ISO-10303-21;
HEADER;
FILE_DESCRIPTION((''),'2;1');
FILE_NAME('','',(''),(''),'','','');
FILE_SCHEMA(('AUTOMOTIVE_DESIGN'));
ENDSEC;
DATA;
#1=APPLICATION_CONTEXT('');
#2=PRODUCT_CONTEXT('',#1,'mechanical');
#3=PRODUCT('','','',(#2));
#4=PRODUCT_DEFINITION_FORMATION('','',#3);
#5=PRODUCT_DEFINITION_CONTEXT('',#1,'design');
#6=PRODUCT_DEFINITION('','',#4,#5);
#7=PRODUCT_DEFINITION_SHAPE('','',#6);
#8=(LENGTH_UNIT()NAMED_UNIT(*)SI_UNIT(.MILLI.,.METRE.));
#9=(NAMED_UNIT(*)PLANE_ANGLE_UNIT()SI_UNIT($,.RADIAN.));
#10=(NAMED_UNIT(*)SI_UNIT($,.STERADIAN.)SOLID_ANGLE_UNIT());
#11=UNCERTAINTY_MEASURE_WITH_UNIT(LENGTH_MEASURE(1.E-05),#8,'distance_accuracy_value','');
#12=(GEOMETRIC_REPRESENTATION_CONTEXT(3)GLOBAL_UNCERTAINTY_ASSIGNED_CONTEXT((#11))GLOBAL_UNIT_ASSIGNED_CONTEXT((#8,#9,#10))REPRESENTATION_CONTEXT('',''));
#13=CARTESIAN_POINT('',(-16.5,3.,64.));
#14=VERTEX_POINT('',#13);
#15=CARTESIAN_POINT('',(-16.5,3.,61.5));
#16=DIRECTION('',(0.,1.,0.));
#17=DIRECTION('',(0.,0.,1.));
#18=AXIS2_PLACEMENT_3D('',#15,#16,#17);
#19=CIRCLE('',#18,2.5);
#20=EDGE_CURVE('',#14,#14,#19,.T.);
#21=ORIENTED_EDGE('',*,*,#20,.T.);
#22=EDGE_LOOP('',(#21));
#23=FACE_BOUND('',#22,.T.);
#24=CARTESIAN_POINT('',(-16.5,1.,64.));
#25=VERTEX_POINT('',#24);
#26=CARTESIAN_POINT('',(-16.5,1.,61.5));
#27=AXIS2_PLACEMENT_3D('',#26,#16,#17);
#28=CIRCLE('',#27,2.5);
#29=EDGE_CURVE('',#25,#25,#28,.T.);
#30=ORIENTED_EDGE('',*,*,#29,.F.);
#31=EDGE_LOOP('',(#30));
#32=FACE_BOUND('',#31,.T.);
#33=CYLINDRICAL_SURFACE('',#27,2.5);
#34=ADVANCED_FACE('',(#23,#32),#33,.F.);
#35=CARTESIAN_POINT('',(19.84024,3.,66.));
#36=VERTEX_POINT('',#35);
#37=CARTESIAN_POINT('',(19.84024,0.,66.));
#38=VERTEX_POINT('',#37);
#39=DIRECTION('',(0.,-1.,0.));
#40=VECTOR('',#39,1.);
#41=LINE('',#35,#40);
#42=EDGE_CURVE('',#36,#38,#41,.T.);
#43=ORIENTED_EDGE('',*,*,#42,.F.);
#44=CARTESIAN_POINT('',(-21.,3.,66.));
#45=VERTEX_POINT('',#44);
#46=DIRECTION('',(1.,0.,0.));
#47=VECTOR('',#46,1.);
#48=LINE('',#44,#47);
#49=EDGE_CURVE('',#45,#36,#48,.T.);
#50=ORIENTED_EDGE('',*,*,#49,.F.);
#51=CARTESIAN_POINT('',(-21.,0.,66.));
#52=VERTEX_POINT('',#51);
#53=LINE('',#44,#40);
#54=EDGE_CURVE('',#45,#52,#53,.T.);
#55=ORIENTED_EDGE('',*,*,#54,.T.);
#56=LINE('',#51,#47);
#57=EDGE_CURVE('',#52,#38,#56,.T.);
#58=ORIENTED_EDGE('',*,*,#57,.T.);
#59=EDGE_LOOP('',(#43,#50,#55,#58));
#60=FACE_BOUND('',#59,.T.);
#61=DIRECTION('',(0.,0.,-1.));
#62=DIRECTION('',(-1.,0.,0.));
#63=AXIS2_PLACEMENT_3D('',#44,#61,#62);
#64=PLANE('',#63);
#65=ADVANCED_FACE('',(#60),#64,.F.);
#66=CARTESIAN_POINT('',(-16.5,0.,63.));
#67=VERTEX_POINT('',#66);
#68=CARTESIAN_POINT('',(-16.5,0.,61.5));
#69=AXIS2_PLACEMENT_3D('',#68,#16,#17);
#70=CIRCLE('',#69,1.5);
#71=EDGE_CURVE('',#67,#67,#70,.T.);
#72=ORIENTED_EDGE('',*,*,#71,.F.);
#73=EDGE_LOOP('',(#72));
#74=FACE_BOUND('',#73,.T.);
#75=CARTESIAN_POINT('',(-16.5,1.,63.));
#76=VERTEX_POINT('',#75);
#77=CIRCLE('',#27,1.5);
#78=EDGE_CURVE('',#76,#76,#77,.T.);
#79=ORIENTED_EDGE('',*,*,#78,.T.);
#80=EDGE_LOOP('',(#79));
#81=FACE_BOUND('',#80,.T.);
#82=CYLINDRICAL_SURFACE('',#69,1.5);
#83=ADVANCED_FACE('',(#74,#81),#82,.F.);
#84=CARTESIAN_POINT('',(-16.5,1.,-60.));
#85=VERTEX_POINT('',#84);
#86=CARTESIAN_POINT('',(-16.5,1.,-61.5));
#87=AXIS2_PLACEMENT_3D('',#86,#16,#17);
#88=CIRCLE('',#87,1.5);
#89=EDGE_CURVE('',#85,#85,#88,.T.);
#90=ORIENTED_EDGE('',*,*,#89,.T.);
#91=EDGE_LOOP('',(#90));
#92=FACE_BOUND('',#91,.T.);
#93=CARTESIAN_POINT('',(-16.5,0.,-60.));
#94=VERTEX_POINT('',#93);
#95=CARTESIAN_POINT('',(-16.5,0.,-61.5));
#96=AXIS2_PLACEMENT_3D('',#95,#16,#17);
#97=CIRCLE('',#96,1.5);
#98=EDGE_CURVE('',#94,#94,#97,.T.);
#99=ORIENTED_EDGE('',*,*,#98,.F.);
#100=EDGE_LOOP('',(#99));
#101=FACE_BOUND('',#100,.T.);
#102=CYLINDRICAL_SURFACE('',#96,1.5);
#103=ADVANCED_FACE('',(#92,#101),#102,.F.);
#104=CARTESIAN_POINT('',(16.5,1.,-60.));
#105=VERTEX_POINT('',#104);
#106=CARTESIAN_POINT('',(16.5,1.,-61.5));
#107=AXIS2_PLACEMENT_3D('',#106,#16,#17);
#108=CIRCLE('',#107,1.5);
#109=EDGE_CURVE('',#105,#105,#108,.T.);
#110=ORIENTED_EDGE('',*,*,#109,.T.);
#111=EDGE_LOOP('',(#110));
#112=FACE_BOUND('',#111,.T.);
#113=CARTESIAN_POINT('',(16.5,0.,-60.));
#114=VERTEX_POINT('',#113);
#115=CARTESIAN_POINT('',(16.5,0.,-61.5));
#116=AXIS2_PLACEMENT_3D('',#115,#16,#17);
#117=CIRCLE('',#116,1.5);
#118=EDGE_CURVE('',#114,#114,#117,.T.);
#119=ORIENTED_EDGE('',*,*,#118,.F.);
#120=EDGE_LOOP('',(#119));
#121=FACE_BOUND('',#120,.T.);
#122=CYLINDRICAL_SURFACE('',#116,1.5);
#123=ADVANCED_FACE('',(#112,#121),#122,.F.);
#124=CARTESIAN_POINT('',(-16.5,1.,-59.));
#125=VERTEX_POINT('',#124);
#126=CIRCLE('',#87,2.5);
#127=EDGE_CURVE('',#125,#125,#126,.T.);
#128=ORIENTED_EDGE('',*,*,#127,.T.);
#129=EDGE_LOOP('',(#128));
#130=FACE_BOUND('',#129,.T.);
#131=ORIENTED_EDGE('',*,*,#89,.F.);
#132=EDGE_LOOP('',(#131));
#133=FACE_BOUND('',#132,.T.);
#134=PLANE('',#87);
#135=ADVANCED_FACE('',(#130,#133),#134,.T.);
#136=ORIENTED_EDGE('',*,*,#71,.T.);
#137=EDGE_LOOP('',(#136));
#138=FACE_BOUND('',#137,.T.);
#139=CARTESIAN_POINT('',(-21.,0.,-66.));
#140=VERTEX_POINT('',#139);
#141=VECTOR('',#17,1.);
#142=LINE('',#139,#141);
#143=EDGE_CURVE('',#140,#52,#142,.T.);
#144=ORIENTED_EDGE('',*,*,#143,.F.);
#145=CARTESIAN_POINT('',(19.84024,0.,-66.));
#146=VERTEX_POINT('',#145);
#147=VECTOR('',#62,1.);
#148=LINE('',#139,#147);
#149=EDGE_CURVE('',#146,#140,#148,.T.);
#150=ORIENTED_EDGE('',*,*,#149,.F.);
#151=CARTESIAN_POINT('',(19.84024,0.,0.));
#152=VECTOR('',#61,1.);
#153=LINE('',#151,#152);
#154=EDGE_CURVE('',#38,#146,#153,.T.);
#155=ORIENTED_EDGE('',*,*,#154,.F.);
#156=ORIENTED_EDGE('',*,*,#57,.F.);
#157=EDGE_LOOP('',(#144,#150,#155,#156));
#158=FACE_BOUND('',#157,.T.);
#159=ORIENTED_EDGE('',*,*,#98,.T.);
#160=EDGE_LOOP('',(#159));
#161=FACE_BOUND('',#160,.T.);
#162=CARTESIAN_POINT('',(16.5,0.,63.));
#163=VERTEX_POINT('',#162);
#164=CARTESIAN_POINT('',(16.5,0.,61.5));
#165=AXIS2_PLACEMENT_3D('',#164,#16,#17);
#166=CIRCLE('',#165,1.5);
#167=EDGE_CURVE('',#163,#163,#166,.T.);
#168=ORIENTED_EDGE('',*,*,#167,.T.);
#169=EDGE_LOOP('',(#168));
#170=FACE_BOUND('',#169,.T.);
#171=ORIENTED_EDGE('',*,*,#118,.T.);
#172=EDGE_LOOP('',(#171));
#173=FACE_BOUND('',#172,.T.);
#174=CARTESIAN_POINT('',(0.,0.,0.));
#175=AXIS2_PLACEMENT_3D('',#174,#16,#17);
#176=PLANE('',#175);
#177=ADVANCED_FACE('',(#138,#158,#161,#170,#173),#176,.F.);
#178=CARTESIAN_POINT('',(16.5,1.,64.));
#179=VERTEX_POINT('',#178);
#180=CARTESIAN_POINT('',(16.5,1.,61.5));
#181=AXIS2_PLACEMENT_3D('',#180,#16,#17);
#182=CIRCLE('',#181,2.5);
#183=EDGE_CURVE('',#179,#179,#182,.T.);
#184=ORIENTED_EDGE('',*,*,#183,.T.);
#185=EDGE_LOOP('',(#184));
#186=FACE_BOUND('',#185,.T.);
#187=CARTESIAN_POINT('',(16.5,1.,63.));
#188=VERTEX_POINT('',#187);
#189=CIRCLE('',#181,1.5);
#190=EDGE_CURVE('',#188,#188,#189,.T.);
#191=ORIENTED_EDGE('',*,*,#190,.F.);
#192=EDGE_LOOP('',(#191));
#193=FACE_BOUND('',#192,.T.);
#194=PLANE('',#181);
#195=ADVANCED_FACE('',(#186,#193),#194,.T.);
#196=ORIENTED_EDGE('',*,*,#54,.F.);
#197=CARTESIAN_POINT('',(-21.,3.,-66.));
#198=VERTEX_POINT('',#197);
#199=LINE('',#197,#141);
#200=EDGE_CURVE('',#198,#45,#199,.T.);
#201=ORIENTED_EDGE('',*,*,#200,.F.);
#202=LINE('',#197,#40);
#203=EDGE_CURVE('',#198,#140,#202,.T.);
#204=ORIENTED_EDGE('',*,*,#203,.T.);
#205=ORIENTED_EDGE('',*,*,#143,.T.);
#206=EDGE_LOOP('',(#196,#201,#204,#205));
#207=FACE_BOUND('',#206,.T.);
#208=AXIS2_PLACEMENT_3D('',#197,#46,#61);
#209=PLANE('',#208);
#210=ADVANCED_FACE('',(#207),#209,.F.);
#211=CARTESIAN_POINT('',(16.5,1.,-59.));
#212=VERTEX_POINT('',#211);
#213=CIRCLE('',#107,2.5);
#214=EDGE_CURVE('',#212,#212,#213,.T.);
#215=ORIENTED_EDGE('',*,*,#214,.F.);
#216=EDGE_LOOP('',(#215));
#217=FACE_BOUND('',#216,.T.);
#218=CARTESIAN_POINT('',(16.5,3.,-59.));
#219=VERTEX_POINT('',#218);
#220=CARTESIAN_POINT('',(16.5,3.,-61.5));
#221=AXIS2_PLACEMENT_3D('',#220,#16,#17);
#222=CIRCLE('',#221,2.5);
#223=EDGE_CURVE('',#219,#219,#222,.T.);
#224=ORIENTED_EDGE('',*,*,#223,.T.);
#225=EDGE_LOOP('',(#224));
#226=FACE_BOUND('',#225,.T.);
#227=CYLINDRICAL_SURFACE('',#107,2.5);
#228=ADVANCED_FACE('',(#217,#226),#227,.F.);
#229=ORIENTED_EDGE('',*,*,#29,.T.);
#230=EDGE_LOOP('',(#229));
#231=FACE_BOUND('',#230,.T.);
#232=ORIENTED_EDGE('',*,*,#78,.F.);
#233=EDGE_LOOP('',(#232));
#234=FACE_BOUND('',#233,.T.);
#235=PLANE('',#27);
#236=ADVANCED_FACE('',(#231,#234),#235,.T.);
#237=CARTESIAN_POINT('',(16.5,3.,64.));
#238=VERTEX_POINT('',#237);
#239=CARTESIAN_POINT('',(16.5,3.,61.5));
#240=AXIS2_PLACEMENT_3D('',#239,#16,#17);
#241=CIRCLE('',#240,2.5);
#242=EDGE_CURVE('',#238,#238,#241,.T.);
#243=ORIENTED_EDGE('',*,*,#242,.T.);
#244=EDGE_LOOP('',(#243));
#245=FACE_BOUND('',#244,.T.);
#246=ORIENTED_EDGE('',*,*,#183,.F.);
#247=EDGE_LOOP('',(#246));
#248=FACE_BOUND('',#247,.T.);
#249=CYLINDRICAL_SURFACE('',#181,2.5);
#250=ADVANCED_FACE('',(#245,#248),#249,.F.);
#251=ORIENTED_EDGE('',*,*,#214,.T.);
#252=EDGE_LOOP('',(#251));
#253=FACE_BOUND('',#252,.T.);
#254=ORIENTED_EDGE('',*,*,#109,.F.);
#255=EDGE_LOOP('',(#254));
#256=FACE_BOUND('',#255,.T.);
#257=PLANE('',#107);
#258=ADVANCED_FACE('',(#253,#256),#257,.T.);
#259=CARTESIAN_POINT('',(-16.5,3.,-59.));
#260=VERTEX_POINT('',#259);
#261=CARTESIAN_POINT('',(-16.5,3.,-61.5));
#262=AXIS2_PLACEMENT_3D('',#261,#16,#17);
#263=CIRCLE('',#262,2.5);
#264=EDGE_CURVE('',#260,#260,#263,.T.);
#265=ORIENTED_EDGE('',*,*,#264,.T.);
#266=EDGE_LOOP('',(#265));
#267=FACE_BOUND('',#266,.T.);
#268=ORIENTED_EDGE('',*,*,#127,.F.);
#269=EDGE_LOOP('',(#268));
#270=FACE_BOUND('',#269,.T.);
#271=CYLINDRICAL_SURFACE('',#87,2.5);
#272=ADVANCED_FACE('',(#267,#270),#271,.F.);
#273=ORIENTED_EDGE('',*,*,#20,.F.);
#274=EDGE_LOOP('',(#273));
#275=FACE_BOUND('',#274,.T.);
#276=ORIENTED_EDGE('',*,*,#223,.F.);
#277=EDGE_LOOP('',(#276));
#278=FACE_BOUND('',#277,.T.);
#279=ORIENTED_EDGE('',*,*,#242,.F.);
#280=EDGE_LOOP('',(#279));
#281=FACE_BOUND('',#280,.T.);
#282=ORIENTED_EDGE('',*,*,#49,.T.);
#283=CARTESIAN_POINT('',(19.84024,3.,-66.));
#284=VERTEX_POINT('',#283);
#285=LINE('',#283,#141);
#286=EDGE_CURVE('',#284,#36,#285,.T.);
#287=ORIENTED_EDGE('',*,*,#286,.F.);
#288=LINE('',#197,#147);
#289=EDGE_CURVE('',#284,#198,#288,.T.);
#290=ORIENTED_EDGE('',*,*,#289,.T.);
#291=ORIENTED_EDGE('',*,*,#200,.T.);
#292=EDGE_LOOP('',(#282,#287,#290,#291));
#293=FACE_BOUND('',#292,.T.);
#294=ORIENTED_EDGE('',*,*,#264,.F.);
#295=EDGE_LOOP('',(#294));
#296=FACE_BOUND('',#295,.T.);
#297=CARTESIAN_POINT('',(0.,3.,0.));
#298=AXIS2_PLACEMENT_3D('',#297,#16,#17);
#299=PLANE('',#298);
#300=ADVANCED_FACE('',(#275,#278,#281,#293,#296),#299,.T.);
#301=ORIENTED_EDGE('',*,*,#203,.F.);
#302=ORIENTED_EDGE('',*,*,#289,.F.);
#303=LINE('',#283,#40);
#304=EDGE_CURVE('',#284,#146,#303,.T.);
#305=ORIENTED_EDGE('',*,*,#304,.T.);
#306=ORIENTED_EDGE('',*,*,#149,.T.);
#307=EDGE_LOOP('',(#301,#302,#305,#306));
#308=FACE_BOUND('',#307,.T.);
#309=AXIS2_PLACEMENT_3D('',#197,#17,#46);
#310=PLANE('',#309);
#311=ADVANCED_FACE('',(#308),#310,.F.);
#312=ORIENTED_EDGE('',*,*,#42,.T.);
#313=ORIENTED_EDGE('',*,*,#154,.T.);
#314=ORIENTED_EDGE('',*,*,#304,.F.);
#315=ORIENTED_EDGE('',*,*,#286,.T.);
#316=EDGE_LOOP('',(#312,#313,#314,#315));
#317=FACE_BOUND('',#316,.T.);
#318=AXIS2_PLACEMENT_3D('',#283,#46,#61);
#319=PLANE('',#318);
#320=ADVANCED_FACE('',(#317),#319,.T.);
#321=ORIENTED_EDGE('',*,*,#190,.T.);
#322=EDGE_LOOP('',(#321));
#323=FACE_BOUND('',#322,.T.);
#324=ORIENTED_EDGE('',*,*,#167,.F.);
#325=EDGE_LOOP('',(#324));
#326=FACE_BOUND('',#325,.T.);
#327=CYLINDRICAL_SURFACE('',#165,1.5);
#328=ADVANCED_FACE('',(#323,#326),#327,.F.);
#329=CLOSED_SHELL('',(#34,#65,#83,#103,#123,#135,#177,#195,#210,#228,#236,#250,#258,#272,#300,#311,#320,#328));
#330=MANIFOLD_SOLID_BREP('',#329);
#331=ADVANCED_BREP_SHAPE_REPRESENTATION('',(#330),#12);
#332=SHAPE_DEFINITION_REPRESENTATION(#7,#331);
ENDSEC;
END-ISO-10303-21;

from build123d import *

# Parameters (mm, degrees)
SKETCH1_W           = 42
SKETCH1_H           = 132
BOSS_EXTRUDE1_DEPTH = 3
SKETCH2_R           = 2.5
CUT_EXTRUDE1_DEPTH  = 2
SKETCH3_R           = 1.5
CUT_EXTRUDE2_DEPTH  = 70.289248805
CUT_EXTRUDE3_DEPTH  = 70.32532005


with BuildPart() as part:
    # Sketch1 → Boss-Extrude1 (new body)
    with BuildSketch(Plane(origin=(0, 0, 0), x_dir=(1, 0, 0), z_dir=(0, 1, 0))):
        Rectangle(SKETCH1_W, SKETCH1_H)
    extrude(amount=BOSS_EXTRUDE1_DEPTH)

    # Sketch2 → Cut-Extrude1 (cut)
    with BuildSketch(Plane(origin=(0, 3, 0), x_dir=(1, 0, 0), z_dir=(0, 1, 0))):
        with Locations(Location((-16.5, 61.5, 0), (0, 0, 270))):
            Circle(SKETCH2_R)
        with Locations(Location((16.5, 61.5, 0), (0, 0, 270))):
            Circle(SKETCH2_R)
        with Locations(Location((16.5, -61.5, 0), (0, 0, 270))):
            Circle(SKETCH2_R)
        with Locations(Location((-16.5, -61.5, 0), (0, 0, 270))):
            Circle(SKETCH2_R)
    extrude(amount=-CUT_EXTRUDE1_DEPTH, mode=Mode.SUBTRACT)

    # Sketch3 → Cut-Extrude2 (cut, through all)
    with BuildSketch(Plane(origin=(0, 1, 0), x_dir=(1, 0, 0), z_dir=(0, 1, 0))):
        with Locations(Location((-16.5, 61.5, 0), (0, 0, 270))):
            Circle(SKETCH3_R)
        with Locations(Location((16.5, 61.5, 0), (0, 0, 270))):
            Circle(SKETCH3_R)
        with Locations(Location((16.5, -61.5, 0), (0, 0, 270))):
            Circle(SKETCH3_R)
        with Locations(Location((-16.5, -61.5, 0), (0, 0, 270))):
            Circle(SKETCH3_R)
    extrude(amount=-CUT_EXTRUDE2_DEPTH, mode=Mode.SUBTRACT)

    # Sketch4 → Cut-Extrude3 (cut, through all)
    with BuildSketch(Plane(origin=(0, 3, 0), x_dir=(1, 0, 0), z_dir=(0, 1, 0))):
        Polygon((21, -353.041513135), (21, -66), (21, 66), (19.84024034, 66), (19.84024034, -66), (19.84024034, -353.041513135), (19.84024034, -927.124539404), (21, -927.124539404), align=None)
    extrude(amount=-CUT_EXTRUDE3_DEPTH, mode=Mode.SUBTRACT)


solid = part.part
